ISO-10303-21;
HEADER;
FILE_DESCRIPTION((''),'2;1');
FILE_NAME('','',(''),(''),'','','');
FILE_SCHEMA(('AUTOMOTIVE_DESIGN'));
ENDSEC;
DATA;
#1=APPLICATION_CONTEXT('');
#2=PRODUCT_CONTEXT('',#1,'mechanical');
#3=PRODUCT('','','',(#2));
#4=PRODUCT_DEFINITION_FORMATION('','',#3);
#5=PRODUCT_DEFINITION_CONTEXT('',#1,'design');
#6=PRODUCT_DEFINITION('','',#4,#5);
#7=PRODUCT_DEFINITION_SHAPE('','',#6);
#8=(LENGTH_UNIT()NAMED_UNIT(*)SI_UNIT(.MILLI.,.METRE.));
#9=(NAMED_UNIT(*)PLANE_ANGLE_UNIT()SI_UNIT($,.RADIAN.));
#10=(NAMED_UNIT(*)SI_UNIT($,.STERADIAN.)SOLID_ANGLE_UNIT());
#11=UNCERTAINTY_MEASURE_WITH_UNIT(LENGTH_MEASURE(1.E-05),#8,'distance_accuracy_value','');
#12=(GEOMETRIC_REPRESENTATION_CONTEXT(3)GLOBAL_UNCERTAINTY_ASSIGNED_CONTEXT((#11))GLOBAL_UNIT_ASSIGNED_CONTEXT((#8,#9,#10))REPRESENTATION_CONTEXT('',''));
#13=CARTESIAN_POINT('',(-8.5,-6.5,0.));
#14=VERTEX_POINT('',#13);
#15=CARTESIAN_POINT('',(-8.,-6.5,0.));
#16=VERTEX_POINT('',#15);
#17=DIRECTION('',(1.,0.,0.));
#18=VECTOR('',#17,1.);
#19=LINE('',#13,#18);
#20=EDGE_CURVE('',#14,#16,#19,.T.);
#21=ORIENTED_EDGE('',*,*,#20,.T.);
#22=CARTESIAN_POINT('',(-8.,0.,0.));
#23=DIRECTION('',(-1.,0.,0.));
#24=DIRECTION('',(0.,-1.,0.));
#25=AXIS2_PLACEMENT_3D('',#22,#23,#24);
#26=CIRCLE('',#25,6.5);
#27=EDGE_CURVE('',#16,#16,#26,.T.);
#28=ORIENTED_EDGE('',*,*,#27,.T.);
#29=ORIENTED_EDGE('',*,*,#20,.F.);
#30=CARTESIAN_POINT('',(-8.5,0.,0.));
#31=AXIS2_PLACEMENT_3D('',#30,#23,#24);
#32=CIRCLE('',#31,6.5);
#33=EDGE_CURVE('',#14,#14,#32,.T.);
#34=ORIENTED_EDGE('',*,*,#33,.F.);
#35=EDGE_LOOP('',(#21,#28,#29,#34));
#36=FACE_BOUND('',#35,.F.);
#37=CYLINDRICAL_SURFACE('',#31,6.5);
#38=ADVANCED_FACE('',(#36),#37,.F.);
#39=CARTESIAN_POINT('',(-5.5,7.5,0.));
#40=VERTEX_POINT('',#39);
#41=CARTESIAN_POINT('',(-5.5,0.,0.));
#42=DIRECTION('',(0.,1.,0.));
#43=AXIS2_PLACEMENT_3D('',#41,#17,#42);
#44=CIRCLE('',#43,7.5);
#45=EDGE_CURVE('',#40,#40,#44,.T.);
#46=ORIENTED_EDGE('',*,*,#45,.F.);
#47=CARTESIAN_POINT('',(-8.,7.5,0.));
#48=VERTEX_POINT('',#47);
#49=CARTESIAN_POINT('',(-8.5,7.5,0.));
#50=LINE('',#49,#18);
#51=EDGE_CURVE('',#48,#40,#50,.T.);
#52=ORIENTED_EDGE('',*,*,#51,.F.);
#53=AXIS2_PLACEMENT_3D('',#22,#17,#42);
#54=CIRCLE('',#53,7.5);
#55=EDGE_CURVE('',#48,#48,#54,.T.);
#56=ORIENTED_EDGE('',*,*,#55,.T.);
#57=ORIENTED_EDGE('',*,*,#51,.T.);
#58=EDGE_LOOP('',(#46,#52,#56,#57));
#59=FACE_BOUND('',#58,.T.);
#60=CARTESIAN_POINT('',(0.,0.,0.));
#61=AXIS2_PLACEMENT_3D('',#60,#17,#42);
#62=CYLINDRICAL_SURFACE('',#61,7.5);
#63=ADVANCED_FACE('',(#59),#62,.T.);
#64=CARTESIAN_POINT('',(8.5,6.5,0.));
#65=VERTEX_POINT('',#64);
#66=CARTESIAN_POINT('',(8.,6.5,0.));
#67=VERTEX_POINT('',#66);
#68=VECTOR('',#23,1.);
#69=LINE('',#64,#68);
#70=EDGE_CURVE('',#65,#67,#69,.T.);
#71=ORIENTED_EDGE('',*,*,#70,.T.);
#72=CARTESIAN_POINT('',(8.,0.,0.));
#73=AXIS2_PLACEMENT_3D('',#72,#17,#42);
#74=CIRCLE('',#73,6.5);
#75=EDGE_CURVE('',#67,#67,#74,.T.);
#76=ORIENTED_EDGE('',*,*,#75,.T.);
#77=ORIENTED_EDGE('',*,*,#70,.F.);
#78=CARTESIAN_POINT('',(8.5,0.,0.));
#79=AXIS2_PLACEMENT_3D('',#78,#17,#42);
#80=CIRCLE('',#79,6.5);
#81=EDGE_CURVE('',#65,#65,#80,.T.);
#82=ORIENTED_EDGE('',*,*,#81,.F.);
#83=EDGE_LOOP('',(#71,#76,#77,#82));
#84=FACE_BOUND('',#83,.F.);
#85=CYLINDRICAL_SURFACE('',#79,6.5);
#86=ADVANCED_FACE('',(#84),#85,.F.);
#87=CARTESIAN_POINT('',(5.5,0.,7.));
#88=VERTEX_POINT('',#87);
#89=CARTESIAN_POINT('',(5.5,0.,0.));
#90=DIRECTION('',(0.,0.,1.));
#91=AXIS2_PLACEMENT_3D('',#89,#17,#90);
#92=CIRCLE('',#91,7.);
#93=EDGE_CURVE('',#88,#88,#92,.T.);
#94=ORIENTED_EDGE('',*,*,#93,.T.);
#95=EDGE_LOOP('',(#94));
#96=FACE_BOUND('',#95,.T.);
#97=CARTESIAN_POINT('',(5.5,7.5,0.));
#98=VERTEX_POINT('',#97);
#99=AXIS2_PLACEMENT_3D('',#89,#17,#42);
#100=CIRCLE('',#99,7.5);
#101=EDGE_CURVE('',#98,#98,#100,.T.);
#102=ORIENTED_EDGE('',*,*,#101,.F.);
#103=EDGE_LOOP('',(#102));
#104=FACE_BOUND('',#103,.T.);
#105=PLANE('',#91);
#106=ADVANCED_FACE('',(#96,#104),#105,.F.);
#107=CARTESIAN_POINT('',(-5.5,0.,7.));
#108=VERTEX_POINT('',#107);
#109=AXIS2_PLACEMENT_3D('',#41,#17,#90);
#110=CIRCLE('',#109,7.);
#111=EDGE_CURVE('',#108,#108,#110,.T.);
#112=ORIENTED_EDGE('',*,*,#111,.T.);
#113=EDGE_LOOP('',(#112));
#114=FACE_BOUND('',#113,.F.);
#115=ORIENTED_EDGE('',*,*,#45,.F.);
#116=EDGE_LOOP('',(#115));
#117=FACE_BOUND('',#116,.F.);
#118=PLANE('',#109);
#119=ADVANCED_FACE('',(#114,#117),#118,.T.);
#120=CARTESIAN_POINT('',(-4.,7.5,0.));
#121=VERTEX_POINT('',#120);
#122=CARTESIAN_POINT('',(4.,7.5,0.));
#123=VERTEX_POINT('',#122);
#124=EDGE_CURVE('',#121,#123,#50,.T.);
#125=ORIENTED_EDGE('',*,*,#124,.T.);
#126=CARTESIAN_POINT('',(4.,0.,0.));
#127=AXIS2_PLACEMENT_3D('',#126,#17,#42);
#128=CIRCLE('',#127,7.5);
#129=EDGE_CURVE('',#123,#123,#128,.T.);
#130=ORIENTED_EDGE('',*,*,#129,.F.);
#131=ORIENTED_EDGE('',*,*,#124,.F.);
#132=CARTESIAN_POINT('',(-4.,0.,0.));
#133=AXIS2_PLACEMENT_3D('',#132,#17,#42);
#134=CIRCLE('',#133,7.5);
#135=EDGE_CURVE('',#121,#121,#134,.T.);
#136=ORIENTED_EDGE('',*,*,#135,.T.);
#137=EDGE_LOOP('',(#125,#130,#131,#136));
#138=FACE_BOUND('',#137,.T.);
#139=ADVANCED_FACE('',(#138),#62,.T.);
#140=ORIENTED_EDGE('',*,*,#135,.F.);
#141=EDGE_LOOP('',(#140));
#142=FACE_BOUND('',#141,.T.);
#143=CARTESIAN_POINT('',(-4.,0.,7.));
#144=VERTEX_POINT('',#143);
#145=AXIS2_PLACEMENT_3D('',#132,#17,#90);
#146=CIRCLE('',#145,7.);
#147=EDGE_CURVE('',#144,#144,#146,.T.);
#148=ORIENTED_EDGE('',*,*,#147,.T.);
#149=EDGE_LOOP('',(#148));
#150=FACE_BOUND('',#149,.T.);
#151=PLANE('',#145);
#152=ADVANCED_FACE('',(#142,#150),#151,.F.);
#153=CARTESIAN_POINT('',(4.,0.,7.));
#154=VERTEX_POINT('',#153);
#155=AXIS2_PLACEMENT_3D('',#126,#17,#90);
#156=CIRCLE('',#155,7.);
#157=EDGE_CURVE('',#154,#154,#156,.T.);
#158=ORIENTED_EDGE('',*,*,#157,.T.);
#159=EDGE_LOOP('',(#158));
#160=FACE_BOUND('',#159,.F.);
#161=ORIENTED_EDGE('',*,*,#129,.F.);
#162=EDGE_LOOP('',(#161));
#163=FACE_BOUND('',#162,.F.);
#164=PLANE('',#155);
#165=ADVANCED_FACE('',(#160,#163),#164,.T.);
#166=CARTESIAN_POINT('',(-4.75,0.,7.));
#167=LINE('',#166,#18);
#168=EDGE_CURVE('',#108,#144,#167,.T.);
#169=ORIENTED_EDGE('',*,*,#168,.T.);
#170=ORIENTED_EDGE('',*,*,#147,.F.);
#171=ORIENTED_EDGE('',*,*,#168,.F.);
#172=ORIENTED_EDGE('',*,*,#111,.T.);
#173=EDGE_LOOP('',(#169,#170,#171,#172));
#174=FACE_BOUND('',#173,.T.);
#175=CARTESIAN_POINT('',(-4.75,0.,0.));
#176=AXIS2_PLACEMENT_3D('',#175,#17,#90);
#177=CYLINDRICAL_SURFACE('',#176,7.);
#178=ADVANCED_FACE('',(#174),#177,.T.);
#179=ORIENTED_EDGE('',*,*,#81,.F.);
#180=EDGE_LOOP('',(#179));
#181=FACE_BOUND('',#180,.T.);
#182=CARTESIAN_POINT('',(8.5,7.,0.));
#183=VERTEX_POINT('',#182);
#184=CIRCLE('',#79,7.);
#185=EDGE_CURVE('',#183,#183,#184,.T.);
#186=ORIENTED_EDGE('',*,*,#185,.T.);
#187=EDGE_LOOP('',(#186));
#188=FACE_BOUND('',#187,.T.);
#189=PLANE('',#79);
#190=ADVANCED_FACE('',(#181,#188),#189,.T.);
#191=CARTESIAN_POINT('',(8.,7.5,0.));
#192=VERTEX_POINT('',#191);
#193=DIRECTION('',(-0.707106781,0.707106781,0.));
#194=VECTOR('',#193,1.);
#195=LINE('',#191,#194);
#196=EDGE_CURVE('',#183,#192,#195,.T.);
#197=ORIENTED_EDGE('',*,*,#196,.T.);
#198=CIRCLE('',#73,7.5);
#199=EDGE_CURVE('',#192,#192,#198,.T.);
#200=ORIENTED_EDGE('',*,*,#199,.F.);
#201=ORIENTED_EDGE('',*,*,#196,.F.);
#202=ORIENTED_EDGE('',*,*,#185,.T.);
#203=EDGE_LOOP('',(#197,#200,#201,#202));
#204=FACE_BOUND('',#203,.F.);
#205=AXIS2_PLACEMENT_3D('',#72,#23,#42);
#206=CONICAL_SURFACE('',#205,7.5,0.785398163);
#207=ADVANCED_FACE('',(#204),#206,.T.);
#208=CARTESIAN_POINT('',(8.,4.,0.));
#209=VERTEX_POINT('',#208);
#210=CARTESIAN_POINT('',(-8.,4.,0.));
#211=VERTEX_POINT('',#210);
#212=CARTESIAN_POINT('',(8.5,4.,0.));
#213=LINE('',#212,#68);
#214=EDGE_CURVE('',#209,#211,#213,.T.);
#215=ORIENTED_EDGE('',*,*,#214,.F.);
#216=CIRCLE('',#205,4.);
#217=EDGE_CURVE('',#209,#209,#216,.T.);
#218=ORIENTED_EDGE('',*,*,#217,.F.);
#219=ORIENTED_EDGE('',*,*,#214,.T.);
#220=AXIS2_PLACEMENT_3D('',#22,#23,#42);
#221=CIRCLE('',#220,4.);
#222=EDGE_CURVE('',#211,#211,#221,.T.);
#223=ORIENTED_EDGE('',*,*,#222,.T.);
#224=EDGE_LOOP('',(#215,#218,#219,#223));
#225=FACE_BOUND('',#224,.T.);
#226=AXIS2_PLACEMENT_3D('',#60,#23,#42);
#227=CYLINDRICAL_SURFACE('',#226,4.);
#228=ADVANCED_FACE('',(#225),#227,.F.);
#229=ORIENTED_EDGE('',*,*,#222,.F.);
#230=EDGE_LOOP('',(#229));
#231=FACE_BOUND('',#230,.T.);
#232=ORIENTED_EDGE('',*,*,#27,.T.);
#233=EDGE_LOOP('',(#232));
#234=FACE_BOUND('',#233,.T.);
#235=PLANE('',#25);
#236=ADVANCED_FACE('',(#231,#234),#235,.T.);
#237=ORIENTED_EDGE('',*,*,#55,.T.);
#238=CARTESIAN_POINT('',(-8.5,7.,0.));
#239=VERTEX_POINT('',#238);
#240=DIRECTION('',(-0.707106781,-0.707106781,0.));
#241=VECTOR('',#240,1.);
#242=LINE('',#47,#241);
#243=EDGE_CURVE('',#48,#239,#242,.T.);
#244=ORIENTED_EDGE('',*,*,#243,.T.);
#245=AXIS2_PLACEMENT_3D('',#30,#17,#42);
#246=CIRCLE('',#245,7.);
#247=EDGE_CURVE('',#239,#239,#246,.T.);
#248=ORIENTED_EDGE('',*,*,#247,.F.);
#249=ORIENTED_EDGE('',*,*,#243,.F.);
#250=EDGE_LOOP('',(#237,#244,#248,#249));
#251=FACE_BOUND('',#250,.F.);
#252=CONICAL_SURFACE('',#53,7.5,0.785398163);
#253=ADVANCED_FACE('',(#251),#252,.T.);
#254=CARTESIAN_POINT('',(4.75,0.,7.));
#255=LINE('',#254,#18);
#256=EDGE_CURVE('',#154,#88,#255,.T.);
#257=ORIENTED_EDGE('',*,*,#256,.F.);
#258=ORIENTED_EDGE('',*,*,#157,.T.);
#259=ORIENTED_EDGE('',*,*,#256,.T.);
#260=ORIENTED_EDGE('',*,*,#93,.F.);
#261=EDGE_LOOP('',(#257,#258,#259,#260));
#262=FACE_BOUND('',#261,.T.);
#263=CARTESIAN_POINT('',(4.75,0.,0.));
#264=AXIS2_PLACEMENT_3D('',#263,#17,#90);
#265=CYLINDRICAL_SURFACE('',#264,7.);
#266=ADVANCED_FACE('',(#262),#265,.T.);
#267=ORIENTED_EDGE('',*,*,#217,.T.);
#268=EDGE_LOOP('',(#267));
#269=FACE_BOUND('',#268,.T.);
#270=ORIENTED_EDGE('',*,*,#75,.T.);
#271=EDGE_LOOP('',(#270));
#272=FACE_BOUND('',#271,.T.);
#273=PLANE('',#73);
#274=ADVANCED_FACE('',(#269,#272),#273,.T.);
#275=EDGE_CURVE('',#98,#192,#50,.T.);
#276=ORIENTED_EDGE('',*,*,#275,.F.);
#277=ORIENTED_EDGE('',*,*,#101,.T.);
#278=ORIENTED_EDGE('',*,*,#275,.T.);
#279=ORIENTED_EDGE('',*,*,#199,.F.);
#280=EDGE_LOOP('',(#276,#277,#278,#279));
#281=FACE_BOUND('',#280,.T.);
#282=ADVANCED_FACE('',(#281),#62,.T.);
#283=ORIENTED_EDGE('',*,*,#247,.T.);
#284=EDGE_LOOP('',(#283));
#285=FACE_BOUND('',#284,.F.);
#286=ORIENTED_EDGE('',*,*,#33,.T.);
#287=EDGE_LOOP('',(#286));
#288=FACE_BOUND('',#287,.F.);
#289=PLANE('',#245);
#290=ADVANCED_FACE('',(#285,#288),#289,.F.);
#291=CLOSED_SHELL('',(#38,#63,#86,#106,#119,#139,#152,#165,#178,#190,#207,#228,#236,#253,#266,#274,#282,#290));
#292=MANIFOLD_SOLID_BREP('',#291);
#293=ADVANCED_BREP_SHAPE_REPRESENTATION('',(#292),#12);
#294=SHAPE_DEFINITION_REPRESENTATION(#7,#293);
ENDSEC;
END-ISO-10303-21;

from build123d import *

# Parameters (mm, degrees)
F0_R     = 7.5
F0_R_2   = 4
F1_DEPTH = 8.5
F2_R     = 6.5
F3_DEPTH = 0.5
F4_R     = 6.5
F5_DEPTH = 0.5
F6_W     = 1.5
F6_H     = 1
F8_SIZE  = 0.5


with BuildPart() as f1:
    # F0 (on Right) → F1 (new body, symmetric)
    with BuildSketch(Plane.YZ):
        Circle(F0_R)
        Circle(F0_R_2, mode=Mode.SUBTRACT)
    extrude(amount=F1_DEPTH, both=True)

    # F2 (on face) → F3 (cut)
    with BuildSketch(Plane.YZ.offset(8.5)):
        Circle(F2_R)
    extrude(amount=-F3_DEPTH, mode=Mode.SUBTRACT)

    # F4 (on face) → F5 (cut)
    with BuildSketch(Plane(origin=(-8.5, 0, 0), x_dir=(0, -1, 0), z_dir=(-1, 0, 0))):
        Circle(F4_R)
    extrude(amount=-F5_DEPTH, mode=Mode.SUBTRACT)

    # F6 (on Front) → F7 (revolve, cut)
    with BuildSketch(Plane.XZ):
        with Locations((-4.75, 7.5)):
            Rectangle(F6_W, F6_H)
        with Locations((4.75, 7.5)):
            Rectangle(F6_W, F6_H)
    revolve(axis=Axis((0, 0, 0), (1, 0, 0)), mode=Mode.SUBTRACT)

    # F8
    f8_edges = [f1.edges().sort_by_distance(p)[0] for p in [
        (-8.5, -7.5, 0),
        (8.5, -7.5, 0),
    ]]
    chamfer(f8_edges, length=F8_SIZE)


solid = f1.part
